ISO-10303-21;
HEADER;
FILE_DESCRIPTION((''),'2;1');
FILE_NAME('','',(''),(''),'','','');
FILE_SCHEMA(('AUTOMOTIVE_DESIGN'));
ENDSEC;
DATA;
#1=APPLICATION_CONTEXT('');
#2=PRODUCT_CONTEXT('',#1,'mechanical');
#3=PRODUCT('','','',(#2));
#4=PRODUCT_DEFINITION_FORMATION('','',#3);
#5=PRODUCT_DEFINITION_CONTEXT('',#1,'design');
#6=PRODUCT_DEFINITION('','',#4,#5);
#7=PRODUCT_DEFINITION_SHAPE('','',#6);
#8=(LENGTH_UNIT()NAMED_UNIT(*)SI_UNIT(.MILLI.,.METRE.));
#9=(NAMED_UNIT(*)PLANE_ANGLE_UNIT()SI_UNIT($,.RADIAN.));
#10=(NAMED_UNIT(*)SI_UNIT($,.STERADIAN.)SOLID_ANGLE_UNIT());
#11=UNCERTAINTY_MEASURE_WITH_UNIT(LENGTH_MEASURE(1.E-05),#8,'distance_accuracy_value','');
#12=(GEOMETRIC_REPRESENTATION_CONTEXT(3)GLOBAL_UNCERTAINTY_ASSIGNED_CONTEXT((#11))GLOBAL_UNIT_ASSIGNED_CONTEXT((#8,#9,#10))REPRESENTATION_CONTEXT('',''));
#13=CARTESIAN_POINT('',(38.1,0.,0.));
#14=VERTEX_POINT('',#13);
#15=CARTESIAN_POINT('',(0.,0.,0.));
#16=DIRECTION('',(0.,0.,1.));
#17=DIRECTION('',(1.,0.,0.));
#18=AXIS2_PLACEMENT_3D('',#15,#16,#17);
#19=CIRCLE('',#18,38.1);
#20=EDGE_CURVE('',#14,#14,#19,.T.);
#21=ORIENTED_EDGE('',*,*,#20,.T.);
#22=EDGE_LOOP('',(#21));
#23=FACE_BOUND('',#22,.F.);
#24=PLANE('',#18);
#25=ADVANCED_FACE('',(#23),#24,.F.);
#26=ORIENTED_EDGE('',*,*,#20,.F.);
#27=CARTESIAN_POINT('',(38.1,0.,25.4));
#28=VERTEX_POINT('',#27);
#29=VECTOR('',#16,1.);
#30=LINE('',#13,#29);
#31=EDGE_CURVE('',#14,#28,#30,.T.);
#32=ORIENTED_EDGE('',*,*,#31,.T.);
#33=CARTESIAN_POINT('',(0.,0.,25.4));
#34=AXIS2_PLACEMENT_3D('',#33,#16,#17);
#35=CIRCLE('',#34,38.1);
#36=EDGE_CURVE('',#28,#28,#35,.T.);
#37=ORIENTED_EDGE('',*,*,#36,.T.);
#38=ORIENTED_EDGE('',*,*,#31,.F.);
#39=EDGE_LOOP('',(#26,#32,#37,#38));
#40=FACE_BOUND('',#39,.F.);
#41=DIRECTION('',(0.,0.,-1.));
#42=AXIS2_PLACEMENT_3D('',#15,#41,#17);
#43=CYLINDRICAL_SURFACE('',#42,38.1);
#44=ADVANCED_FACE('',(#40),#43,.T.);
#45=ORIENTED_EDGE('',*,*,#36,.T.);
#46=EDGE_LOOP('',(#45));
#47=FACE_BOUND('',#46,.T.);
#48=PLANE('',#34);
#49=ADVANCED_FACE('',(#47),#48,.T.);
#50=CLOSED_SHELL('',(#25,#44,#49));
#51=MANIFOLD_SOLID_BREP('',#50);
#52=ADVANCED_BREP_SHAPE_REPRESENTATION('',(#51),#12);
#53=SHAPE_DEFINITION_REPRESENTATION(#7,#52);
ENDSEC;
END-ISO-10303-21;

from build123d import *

# Parameters (mm, degrees)
MAINSKETCH_R = 38.1
MAIN_DEPTH   = 25.4


with BuildPart() as part:
    # MainSketch → Main (new body)
    with BuildSketch(Plane.XY):
        Circle(MAINSKETCH_R)
    extrude(amount=MAIN_DEPTH)


solid = part.part
